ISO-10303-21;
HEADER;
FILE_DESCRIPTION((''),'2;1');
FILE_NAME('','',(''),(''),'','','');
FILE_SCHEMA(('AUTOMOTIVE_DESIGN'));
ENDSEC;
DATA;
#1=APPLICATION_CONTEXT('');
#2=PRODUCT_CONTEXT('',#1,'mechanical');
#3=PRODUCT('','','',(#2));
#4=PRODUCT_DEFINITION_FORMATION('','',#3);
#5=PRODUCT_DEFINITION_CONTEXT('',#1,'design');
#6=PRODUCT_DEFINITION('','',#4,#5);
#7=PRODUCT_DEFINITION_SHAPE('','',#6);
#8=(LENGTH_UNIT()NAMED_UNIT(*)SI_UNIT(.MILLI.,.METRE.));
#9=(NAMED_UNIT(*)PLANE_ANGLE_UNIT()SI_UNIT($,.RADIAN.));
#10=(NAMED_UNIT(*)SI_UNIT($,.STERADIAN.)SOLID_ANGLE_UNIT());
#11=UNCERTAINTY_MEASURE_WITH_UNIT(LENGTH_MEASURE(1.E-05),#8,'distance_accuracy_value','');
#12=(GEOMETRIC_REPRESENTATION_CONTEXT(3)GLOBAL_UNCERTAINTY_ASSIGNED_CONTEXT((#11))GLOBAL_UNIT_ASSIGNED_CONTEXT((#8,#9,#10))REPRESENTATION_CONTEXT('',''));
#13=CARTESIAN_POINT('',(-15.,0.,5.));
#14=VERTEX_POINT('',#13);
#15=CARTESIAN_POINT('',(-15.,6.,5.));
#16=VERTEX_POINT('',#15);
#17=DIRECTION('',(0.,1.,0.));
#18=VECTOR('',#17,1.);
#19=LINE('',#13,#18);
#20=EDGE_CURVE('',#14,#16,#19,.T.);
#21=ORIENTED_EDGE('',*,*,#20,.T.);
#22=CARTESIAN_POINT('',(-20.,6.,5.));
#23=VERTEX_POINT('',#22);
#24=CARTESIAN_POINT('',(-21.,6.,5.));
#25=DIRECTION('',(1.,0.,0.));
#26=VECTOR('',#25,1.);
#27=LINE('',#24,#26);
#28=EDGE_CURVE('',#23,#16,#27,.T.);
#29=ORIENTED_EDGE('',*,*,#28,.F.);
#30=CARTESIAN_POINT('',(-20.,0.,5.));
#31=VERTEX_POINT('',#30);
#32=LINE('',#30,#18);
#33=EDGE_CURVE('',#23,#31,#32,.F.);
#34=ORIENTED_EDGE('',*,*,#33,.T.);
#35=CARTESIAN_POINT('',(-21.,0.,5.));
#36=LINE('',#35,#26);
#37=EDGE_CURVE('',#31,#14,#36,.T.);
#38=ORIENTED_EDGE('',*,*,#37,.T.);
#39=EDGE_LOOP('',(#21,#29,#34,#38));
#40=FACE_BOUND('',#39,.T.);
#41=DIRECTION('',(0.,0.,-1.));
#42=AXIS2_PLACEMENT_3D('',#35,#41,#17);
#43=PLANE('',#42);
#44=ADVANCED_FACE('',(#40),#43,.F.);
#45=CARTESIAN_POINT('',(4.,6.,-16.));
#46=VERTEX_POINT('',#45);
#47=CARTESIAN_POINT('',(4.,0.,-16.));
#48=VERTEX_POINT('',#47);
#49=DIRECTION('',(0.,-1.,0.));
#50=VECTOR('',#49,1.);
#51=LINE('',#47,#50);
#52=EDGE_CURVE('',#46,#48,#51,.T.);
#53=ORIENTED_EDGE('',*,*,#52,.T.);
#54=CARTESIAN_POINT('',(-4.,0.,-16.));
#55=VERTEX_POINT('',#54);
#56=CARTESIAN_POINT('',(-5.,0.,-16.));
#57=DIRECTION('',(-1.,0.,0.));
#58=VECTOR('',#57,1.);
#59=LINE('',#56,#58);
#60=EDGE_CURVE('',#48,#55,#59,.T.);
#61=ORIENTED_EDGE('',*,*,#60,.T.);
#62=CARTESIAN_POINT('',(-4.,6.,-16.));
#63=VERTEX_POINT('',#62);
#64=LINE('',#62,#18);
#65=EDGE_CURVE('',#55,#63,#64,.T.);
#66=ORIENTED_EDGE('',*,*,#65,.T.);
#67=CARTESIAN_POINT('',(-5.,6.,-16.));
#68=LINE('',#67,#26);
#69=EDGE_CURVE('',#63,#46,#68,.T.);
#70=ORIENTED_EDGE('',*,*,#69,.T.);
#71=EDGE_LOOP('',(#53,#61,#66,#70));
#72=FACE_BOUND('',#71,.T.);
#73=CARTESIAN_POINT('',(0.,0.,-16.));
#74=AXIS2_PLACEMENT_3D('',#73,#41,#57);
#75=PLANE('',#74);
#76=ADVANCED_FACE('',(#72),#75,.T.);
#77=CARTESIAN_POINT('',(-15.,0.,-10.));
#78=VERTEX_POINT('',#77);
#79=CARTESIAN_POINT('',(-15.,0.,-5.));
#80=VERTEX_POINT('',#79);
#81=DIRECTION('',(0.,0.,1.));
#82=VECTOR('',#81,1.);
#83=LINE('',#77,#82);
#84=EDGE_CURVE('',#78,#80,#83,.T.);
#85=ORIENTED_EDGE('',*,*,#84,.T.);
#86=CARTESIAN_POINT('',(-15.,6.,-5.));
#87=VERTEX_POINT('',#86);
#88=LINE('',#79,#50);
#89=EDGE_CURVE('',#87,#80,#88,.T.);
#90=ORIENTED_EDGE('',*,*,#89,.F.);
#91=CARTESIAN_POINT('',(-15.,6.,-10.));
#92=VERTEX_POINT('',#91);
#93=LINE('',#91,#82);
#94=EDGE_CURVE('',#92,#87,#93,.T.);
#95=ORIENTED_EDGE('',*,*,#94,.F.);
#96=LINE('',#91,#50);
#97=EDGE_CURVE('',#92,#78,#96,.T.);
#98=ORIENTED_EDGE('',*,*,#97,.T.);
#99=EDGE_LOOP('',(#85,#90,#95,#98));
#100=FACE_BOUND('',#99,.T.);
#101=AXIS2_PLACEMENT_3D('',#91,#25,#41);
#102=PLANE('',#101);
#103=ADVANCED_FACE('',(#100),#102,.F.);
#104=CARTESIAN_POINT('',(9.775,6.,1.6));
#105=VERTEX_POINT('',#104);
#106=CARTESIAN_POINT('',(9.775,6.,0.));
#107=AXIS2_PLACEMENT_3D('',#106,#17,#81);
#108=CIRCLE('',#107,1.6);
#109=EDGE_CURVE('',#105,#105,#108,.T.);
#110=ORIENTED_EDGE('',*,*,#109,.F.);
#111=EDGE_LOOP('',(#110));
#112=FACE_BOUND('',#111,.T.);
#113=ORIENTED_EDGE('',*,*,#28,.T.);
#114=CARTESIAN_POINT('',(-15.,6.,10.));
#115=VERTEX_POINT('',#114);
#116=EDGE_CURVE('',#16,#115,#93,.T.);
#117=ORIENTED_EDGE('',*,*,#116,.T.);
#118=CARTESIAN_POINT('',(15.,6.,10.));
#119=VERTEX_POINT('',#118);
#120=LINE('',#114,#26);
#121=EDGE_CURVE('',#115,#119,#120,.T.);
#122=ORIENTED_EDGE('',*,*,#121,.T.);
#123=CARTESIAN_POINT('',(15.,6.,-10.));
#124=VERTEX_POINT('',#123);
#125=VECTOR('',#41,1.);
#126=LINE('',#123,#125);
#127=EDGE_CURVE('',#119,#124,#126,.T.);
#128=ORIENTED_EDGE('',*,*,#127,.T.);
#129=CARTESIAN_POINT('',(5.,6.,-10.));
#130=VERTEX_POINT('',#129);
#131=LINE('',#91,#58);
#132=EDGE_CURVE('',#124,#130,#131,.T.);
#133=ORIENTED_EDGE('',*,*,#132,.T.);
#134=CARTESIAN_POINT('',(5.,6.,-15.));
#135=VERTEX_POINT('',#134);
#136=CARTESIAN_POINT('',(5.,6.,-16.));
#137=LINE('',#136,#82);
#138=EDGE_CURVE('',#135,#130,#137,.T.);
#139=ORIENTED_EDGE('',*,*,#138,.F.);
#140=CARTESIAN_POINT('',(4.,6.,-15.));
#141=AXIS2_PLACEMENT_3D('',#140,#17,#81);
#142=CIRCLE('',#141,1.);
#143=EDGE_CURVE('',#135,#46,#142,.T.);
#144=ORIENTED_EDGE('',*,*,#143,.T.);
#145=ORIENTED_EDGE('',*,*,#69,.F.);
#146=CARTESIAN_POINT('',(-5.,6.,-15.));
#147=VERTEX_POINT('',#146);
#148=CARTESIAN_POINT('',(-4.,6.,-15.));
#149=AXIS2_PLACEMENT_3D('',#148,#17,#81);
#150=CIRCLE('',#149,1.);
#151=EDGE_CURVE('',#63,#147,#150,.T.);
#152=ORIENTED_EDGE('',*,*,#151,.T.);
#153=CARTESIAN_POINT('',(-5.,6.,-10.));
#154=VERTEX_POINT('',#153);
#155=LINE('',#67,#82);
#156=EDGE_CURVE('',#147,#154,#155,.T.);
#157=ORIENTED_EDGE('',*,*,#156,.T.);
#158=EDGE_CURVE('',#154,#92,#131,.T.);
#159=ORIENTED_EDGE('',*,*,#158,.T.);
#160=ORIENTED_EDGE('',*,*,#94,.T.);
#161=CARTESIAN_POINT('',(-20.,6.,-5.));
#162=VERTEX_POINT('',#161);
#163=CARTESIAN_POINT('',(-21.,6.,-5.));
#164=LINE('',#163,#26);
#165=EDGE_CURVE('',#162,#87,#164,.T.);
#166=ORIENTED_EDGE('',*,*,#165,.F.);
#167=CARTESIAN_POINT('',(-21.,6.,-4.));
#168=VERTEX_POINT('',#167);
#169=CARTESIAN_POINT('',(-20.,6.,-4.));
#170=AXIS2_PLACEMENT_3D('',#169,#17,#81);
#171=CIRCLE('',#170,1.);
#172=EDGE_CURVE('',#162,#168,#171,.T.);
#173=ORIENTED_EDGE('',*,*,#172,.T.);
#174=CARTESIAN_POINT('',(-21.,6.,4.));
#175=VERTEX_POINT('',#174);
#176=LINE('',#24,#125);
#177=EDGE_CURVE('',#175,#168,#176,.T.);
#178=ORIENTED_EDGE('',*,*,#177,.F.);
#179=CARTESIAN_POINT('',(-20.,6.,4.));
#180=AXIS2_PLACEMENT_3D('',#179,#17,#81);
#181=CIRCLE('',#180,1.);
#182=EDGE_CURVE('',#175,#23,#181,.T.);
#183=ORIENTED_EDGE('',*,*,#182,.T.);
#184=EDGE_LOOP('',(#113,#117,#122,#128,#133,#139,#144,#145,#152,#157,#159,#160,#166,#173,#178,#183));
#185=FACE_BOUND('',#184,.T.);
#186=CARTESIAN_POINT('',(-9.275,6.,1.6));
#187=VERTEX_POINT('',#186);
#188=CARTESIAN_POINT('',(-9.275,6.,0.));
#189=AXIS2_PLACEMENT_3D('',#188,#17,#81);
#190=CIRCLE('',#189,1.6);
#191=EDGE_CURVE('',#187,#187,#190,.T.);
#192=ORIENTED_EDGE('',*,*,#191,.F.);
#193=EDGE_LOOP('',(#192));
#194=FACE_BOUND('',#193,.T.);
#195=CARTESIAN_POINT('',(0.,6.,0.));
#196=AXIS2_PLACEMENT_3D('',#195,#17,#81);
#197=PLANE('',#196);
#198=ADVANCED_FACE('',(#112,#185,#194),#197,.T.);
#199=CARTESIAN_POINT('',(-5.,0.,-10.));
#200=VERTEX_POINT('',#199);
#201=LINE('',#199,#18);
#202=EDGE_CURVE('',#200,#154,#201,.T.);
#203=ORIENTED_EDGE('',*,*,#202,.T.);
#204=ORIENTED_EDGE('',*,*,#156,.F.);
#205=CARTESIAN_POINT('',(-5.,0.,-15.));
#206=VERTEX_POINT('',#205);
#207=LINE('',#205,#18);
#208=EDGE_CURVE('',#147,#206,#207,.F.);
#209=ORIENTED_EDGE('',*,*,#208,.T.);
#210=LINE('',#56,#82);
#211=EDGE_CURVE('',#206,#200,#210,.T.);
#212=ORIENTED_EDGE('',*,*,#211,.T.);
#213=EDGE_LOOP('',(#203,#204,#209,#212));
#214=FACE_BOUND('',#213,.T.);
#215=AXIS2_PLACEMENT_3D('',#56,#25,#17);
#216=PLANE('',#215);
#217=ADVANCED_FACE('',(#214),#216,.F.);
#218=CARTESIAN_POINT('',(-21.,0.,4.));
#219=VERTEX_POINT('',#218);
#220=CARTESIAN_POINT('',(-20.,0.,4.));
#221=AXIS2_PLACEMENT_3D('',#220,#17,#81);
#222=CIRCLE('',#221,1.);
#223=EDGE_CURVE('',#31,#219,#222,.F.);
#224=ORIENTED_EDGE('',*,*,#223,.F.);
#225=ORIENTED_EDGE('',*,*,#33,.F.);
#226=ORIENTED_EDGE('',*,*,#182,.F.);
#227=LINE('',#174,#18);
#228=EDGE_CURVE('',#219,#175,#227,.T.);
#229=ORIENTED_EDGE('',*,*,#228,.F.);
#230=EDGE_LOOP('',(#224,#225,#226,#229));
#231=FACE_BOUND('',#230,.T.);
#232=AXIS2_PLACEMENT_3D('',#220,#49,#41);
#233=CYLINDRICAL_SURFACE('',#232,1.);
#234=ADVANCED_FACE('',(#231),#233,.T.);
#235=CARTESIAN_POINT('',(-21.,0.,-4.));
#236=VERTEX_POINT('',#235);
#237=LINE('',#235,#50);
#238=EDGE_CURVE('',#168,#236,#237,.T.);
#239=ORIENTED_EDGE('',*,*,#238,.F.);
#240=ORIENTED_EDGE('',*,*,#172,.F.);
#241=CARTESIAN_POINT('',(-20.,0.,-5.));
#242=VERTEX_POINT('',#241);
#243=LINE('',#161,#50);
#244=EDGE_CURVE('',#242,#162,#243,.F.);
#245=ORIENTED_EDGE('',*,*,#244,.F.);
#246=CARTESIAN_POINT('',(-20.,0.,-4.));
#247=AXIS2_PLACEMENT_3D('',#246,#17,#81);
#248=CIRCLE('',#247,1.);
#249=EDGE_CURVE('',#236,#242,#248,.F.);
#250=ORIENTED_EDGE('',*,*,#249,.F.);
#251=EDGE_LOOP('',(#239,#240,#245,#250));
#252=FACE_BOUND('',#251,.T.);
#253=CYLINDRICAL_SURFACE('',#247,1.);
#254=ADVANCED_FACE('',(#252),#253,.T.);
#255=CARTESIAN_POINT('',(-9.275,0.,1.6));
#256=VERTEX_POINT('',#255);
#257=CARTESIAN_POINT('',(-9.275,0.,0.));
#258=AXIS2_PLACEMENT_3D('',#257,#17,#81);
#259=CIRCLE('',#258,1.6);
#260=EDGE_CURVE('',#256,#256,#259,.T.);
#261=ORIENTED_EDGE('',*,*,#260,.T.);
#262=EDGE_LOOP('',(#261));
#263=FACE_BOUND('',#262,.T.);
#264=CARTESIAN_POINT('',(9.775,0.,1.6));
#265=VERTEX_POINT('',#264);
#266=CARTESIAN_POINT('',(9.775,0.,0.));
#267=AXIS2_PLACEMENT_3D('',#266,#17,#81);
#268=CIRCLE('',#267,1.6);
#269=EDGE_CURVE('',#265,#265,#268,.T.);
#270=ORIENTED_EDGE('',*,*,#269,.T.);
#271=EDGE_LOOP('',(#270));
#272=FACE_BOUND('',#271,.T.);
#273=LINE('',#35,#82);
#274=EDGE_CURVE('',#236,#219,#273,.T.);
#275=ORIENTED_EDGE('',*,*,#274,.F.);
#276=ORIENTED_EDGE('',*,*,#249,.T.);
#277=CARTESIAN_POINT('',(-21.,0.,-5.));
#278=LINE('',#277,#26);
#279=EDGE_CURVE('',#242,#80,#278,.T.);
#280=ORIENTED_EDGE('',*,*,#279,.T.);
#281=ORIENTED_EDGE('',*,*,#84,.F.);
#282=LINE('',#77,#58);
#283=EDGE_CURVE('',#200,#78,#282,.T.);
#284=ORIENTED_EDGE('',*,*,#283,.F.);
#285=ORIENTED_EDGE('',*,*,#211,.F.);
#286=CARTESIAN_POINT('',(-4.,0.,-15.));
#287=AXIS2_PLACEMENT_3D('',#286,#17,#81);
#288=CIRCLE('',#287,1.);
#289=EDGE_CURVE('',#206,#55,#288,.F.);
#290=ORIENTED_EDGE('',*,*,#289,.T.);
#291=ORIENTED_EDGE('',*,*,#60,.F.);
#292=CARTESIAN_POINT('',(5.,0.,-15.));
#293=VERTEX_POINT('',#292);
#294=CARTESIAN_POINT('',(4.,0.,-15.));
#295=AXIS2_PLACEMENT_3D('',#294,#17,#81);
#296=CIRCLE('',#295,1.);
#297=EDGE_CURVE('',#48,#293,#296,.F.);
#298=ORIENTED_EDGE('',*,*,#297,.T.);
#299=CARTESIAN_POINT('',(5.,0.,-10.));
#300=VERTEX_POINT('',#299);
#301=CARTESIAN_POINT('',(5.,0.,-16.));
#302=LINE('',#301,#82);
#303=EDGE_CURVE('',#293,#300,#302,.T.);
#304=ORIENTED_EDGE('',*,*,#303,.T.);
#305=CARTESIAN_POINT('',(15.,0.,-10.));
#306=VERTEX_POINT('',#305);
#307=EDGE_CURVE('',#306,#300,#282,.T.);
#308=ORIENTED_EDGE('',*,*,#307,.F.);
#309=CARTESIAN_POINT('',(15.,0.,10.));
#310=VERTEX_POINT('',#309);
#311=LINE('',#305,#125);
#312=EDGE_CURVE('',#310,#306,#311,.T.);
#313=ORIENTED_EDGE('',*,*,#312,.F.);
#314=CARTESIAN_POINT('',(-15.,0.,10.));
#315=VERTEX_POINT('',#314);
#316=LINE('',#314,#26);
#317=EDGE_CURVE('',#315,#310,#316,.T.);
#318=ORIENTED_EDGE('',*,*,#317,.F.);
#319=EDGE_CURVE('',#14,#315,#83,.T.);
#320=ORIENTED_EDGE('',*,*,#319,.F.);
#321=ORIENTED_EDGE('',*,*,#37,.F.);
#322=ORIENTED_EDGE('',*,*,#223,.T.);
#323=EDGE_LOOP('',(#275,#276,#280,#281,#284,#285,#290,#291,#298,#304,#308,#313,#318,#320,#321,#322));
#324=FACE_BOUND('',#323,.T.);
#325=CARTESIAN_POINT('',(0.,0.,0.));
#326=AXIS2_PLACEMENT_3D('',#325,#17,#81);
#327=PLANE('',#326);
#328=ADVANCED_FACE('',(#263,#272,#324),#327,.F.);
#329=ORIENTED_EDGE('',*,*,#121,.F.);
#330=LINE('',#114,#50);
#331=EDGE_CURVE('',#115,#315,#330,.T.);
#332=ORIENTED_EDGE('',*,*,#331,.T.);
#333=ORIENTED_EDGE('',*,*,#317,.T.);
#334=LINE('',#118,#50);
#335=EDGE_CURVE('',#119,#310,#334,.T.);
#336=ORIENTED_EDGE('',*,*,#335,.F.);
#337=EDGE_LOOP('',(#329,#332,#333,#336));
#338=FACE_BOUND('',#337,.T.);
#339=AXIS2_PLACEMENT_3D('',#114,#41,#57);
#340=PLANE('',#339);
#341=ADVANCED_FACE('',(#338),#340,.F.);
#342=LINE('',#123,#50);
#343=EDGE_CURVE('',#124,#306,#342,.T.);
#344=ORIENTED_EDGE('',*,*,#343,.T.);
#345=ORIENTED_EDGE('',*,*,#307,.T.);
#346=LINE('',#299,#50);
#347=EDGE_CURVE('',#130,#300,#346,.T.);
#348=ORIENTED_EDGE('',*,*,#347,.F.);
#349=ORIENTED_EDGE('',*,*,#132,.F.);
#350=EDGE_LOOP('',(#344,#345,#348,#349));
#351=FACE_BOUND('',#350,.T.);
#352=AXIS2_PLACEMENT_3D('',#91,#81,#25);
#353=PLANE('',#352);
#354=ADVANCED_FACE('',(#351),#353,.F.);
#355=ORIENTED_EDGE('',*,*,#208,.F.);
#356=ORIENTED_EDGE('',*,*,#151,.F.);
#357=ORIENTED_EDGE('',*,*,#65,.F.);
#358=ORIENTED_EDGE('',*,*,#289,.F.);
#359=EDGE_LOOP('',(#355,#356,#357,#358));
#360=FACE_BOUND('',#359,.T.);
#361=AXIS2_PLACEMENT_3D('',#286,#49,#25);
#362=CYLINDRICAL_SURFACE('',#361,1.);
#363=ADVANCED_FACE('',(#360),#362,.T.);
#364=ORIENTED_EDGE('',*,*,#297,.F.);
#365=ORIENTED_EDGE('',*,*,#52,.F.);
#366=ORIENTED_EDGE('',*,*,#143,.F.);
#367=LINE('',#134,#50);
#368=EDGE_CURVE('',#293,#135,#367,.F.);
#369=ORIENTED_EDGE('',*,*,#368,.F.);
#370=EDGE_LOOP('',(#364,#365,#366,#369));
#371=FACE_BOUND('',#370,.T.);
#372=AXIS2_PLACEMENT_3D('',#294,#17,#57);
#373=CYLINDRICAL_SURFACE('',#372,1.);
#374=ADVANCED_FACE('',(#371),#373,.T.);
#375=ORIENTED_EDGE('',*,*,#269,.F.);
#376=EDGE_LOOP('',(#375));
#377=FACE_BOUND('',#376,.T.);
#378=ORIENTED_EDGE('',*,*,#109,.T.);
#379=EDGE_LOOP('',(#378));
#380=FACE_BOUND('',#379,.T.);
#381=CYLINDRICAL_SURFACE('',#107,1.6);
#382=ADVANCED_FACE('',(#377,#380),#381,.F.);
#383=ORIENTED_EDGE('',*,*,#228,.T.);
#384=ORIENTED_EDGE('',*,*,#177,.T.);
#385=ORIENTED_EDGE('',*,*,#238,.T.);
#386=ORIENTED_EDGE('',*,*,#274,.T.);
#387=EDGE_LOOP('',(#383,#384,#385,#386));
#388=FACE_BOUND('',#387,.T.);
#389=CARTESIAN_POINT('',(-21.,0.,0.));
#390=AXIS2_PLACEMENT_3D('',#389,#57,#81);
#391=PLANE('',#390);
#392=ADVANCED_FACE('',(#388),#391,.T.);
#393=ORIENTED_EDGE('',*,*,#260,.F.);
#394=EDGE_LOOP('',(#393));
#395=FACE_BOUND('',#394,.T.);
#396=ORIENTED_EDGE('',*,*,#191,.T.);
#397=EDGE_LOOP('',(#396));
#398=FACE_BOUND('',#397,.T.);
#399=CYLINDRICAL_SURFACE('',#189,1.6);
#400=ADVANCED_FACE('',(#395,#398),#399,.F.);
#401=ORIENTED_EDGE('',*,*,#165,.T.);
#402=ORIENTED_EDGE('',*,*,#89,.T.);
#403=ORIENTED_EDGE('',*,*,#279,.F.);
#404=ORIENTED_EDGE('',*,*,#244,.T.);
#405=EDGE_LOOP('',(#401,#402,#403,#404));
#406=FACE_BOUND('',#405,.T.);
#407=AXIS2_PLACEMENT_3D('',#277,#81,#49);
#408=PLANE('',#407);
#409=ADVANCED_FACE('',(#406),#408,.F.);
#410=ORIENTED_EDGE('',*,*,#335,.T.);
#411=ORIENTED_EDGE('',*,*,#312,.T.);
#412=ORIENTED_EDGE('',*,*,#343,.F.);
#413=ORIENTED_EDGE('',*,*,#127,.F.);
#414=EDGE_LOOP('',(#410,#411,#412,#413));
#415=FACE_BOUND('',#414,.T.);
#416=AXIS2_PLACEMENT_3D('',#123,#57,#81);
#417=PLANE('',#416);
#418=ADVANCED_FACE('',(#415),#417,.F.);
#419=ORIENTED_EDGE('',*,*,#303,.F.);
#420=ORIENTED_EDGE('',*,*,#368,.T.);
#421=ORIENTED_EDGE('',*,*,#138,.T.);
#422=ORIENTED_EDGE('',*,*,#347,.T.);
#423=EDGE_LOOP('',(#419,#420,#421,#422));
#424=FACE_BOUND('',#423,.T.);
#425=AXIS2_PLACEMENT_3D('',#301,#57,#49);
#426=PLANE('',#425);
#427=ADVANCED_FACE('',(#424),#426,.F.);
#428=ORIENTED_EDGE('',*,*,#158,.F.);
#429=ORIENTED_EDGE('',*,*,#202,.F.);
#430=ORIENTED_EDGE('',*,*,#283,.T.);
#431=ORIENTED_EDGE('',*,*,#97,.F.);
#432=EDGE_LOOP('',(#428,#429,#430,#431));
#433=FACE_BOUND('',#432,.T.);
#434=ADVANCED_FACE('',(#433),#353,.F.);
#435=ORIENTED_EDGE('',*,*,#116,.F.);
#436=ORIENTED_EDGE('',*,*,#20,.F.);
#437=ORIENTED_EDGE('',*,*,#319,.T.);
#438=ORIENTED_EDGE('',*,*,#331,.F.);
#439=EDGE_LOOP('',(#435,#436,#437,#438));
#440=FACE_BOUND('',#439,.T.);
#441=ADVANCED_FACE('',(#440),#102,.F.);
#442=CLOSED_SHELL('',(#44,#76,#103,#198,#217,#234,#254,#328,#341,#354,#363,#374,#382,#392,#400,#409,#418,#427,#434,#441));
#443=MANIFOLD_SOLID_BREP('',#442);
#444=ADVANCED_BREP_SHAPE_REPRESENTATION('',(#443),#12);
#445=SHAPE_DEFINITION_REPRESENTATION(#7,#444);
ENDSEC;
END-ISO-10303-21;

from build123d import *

# Parameters (mm, degrees)
SKETCH1_W              = 30
SKETCH1_H              = 20
BOSS_EXTRUDE1_DEPTH    = 6
M3_CLEARANCE_HOLE1_D   = 3.2
SKETCH234_W            = 10
SKETCH234_H            = 6
BOSS_EXTRUDE234_DEPTH  = 6
FILLET134_R            = 1
SKETCH2342_W           = 10
SKETCH2342_H           = 6
BOSS_EXTRUDE2342_DEPTH = 6
FILLET1342_R           = 1


with BuildPart() as part:
    # Sketch1 → Boss-Extrude1 (new body)
    with BuildSketch(Plane(origin=(0, 0, 0), x_dir=(1, 0, 0), z_dir=(0, 1, 0))):
        Rectangle(SKETCH1_W, SKETCH1_H)
    extrude(amount=BOSS_EXTRUDE1_DEPTH)

    # M3 Clearance Hole1 (through all)
    with Locations(Plane(origin=(0, 6, 0), x_dir=(1, 0, 0), z_dir=(0, 1, 0))):
        with Locations((-9.275, 0), (9.775, 0)):
            Hole(M3_CLEARANCE_HOLE1_D / 2)

    # Sketch234 → Boss-Extrude234 (add)
    with BuildSketch(Plane(origin=(-15, 6, 0.767778608), x_dir=(0, 0, -1), z_dir=(-1, 0, 0))):
        with Locations((0.767778608, 3)):
            Rectangle(SKETCH234_W, SKETCH234_H)
    extrude(amount=BOSS_EXTRUDE234_DEPTH)

    # Fillet134
    fillet134_edges = [part.edges().sort_by_distance(p)[0] for p in [
        (-21, 3, 5),
        (-21, 3, -5),
    ]]
    fillet(fillet134_edges, radius=FILLET134_R)

    # Sketch2342 → Boss-Extrude2342 (add)
    with BuildSketch(Plane(origin=(-0.767778608, 6, -10), x_dir=(1, 0, 0), z_dir=(0, 0, -1))):
        with Locations((0.767778608, 3)):
            Rectangle(SKETCH2342_W, SKETCH2342_H)
    extrude(amount=BOSS_EXTRUDE2342_DEPTH)

    # Fillet1342
    fillet1342_edges = [part.edges().sort_by_distance(p)[0] for p in [
        (-5, 3, -16),
        (5, 3, -16),
    ]]
    fillet(fillet1342_edges, radius=FILLET1342_R)


solid = part.part
